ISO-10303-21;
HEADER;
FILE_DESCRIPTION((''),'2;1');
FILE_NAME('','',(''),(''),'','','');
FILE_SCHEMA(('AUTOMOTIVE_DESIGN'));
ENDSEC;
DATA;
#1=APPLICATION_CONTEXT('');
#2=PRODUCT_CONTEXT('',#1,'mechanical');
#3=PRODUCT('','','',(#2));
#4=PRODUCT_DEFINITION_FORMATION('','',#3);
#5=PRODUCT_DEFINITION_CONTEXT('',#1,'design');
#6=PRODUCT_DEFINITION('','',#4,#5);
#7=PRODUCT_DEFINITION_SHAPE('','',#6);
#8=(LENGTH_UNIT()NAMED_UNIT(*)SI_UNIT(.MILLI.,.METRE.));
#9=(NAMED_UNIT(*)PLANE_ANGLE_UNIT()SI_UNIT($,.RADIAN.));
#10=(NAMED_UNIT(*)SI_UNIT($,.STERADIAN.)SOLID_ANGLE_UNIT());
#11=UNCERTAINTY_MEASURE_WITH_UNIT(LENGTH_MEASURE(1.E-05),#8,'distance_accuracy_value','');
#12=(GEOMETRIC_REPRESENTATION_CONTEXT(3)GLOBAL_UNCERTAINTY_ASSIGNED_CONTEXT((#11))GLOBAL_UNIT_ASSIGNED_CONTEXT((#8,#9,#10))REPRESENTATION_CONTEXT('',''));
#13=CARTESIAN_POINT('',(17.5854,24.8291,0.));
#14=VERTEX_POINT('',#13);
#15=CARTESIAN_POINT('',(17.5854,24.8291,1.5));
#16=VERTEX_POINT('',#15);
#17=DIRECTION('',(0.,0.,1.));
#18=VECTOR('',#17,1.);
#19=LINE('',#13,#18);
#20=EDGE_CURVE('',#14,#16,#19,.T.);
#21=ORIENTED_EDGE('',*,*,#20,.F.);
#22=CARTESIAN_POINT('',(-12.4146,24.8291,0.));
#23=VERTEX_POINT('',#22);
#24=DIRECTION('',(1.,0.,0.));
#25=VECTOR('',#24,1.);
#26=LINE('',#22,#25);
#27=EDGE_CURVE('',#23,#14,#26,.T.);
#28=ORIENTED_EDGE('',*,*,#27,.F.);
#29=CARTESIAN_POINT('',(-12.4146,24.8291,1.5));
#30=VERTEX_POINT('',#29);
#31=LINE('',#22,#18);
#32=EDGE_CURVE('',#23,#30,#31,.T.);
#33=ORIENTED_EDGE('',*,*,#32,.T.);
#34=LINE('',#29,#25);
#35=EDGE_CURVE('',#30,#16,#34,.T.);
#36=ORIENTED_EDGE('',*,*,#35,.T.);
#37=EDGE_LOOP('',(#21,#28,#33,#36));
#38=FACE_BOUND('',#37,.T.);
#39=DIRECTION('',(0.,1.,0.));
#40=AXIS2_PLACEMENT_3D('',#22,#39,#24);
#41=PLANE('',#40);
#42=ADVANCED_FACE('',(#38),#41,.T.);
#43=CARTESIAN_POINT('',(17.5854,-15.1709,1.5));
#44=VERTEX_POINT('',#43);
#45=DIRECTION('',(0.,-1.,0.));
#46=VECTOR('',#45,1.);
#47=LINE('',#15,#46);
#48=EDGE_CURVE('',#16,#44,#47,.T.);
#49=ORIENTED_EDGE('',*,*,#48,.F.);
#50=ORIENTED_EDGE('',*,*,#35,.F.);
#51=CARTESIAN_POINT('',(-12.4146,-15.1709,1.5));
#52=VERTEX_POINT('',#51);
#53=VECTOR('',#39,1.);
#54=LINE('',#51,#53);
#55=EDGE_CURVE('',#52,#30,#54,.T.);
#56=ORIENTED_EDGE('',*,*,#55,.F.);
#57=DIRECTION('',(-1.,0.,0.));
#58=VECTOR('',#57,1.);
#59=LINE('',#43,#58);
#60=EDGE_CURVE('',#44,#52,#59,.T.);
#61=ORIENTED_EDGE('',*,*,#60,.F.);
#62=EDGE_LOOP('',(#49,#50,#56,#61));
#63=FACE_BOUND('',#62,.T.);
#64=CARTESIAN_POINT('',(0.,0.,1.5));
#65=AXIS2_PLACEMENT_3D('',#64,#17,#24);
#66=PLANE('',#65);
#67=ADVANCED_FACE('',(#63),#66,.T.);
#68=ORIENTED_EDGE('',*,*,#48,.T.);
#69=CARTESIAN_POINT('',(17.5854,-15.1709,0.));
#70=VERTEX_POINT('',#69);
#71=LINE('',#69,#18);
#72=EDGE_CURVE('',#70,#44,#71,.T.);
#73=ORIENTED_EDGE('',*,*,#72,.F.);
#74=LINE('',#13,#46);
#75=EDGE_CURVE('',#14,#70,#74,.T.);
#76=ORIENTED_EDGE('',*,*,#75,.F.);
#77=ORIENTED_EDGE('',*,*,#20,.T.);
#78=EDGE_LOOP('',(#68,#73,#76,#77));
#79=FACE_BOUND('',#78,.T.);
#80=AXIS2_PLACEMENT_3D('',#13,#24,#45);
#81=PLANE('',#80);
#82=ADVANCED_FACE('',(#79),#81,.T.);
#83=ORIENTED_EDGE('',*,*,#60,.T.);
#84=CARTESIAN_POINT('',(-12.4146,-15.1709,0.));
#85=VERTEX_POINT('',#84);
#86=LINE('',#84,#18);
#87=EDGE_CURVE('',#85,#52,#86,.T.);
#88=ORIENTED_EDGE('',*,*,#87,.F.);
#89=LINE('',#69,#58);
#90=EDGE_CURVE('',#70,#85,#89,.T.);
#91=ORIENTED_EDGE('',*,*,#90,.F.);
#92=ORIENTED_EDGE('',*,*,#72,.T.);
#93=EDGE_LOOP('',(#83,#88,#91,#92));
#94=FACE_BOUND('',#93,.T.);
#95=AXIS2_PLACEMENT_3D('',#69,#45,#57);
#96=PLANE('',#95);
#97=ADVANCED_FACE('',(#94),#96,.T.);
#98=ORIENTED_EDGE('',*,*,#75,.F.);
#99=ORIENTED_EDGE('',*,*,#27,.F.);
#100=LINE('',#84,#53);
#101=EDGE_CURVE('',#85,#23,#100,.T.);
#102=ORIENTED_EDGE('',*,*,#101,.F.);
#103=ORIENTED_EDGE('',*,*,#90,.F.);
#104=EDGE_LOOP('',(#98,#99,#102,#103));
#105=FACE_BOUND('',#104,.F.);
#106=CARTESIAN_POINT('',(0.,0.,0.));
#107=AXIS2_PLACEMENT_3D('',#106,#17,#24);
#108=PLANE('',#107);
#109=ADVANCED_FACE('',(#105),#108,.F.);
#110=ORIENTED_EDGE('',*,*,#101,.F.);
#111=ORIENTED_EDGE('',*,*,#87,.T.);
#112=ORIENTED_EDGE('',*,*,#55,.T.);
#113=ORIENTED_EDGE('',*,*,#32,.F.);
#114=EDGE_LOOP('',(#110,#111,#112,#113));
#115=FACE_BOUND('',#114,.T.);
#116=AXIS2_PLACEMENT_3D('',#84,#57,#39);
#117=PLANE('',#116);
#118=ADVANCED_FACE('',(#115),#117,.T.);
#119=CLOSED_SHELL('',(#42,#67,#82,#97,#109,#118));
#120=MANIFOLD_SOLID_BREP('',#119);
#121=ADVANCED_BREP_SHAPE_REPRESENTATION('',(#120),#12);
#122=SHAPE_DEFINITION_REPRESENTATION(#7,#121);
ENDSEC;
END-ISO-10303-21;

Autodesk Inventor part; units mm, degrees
ref_plane "YZ Plane" through (0, 0, 0) normal (1, 0, 0) x (0, 1, 0)
ref_plane "XZ Plane" through (0, 0, 0) normal (0, 1, 0) x (-1, 0, 0)
ref_plane "XY Plane" through (0, 0, 0) normal (0, 0, 1) x (1, 0, 0)
sketch "Sketch1" plane through (0, 0, 0) normal (0, 0, 1) x (1, 0, 0)
  line L0 (-12.4146, 24.8291) -> (17.5854, 24.8291)
  line L1 (17.5854, 24.8291) -> (17.5854, -15.1709)
  line L2 (17.5854, -15.1709) -> (-12.4146, -15.1709)
  line L3 (-12.4146, -15.1709) -> (-12.4146, 24.8291)
  point P0 (0, 0)
  dimension "d0" = 30
  dimension "d1" = 40
extrude "Extrusion1" add sketch "Sketch1" along normal blind 1.5
properties part number "base"
